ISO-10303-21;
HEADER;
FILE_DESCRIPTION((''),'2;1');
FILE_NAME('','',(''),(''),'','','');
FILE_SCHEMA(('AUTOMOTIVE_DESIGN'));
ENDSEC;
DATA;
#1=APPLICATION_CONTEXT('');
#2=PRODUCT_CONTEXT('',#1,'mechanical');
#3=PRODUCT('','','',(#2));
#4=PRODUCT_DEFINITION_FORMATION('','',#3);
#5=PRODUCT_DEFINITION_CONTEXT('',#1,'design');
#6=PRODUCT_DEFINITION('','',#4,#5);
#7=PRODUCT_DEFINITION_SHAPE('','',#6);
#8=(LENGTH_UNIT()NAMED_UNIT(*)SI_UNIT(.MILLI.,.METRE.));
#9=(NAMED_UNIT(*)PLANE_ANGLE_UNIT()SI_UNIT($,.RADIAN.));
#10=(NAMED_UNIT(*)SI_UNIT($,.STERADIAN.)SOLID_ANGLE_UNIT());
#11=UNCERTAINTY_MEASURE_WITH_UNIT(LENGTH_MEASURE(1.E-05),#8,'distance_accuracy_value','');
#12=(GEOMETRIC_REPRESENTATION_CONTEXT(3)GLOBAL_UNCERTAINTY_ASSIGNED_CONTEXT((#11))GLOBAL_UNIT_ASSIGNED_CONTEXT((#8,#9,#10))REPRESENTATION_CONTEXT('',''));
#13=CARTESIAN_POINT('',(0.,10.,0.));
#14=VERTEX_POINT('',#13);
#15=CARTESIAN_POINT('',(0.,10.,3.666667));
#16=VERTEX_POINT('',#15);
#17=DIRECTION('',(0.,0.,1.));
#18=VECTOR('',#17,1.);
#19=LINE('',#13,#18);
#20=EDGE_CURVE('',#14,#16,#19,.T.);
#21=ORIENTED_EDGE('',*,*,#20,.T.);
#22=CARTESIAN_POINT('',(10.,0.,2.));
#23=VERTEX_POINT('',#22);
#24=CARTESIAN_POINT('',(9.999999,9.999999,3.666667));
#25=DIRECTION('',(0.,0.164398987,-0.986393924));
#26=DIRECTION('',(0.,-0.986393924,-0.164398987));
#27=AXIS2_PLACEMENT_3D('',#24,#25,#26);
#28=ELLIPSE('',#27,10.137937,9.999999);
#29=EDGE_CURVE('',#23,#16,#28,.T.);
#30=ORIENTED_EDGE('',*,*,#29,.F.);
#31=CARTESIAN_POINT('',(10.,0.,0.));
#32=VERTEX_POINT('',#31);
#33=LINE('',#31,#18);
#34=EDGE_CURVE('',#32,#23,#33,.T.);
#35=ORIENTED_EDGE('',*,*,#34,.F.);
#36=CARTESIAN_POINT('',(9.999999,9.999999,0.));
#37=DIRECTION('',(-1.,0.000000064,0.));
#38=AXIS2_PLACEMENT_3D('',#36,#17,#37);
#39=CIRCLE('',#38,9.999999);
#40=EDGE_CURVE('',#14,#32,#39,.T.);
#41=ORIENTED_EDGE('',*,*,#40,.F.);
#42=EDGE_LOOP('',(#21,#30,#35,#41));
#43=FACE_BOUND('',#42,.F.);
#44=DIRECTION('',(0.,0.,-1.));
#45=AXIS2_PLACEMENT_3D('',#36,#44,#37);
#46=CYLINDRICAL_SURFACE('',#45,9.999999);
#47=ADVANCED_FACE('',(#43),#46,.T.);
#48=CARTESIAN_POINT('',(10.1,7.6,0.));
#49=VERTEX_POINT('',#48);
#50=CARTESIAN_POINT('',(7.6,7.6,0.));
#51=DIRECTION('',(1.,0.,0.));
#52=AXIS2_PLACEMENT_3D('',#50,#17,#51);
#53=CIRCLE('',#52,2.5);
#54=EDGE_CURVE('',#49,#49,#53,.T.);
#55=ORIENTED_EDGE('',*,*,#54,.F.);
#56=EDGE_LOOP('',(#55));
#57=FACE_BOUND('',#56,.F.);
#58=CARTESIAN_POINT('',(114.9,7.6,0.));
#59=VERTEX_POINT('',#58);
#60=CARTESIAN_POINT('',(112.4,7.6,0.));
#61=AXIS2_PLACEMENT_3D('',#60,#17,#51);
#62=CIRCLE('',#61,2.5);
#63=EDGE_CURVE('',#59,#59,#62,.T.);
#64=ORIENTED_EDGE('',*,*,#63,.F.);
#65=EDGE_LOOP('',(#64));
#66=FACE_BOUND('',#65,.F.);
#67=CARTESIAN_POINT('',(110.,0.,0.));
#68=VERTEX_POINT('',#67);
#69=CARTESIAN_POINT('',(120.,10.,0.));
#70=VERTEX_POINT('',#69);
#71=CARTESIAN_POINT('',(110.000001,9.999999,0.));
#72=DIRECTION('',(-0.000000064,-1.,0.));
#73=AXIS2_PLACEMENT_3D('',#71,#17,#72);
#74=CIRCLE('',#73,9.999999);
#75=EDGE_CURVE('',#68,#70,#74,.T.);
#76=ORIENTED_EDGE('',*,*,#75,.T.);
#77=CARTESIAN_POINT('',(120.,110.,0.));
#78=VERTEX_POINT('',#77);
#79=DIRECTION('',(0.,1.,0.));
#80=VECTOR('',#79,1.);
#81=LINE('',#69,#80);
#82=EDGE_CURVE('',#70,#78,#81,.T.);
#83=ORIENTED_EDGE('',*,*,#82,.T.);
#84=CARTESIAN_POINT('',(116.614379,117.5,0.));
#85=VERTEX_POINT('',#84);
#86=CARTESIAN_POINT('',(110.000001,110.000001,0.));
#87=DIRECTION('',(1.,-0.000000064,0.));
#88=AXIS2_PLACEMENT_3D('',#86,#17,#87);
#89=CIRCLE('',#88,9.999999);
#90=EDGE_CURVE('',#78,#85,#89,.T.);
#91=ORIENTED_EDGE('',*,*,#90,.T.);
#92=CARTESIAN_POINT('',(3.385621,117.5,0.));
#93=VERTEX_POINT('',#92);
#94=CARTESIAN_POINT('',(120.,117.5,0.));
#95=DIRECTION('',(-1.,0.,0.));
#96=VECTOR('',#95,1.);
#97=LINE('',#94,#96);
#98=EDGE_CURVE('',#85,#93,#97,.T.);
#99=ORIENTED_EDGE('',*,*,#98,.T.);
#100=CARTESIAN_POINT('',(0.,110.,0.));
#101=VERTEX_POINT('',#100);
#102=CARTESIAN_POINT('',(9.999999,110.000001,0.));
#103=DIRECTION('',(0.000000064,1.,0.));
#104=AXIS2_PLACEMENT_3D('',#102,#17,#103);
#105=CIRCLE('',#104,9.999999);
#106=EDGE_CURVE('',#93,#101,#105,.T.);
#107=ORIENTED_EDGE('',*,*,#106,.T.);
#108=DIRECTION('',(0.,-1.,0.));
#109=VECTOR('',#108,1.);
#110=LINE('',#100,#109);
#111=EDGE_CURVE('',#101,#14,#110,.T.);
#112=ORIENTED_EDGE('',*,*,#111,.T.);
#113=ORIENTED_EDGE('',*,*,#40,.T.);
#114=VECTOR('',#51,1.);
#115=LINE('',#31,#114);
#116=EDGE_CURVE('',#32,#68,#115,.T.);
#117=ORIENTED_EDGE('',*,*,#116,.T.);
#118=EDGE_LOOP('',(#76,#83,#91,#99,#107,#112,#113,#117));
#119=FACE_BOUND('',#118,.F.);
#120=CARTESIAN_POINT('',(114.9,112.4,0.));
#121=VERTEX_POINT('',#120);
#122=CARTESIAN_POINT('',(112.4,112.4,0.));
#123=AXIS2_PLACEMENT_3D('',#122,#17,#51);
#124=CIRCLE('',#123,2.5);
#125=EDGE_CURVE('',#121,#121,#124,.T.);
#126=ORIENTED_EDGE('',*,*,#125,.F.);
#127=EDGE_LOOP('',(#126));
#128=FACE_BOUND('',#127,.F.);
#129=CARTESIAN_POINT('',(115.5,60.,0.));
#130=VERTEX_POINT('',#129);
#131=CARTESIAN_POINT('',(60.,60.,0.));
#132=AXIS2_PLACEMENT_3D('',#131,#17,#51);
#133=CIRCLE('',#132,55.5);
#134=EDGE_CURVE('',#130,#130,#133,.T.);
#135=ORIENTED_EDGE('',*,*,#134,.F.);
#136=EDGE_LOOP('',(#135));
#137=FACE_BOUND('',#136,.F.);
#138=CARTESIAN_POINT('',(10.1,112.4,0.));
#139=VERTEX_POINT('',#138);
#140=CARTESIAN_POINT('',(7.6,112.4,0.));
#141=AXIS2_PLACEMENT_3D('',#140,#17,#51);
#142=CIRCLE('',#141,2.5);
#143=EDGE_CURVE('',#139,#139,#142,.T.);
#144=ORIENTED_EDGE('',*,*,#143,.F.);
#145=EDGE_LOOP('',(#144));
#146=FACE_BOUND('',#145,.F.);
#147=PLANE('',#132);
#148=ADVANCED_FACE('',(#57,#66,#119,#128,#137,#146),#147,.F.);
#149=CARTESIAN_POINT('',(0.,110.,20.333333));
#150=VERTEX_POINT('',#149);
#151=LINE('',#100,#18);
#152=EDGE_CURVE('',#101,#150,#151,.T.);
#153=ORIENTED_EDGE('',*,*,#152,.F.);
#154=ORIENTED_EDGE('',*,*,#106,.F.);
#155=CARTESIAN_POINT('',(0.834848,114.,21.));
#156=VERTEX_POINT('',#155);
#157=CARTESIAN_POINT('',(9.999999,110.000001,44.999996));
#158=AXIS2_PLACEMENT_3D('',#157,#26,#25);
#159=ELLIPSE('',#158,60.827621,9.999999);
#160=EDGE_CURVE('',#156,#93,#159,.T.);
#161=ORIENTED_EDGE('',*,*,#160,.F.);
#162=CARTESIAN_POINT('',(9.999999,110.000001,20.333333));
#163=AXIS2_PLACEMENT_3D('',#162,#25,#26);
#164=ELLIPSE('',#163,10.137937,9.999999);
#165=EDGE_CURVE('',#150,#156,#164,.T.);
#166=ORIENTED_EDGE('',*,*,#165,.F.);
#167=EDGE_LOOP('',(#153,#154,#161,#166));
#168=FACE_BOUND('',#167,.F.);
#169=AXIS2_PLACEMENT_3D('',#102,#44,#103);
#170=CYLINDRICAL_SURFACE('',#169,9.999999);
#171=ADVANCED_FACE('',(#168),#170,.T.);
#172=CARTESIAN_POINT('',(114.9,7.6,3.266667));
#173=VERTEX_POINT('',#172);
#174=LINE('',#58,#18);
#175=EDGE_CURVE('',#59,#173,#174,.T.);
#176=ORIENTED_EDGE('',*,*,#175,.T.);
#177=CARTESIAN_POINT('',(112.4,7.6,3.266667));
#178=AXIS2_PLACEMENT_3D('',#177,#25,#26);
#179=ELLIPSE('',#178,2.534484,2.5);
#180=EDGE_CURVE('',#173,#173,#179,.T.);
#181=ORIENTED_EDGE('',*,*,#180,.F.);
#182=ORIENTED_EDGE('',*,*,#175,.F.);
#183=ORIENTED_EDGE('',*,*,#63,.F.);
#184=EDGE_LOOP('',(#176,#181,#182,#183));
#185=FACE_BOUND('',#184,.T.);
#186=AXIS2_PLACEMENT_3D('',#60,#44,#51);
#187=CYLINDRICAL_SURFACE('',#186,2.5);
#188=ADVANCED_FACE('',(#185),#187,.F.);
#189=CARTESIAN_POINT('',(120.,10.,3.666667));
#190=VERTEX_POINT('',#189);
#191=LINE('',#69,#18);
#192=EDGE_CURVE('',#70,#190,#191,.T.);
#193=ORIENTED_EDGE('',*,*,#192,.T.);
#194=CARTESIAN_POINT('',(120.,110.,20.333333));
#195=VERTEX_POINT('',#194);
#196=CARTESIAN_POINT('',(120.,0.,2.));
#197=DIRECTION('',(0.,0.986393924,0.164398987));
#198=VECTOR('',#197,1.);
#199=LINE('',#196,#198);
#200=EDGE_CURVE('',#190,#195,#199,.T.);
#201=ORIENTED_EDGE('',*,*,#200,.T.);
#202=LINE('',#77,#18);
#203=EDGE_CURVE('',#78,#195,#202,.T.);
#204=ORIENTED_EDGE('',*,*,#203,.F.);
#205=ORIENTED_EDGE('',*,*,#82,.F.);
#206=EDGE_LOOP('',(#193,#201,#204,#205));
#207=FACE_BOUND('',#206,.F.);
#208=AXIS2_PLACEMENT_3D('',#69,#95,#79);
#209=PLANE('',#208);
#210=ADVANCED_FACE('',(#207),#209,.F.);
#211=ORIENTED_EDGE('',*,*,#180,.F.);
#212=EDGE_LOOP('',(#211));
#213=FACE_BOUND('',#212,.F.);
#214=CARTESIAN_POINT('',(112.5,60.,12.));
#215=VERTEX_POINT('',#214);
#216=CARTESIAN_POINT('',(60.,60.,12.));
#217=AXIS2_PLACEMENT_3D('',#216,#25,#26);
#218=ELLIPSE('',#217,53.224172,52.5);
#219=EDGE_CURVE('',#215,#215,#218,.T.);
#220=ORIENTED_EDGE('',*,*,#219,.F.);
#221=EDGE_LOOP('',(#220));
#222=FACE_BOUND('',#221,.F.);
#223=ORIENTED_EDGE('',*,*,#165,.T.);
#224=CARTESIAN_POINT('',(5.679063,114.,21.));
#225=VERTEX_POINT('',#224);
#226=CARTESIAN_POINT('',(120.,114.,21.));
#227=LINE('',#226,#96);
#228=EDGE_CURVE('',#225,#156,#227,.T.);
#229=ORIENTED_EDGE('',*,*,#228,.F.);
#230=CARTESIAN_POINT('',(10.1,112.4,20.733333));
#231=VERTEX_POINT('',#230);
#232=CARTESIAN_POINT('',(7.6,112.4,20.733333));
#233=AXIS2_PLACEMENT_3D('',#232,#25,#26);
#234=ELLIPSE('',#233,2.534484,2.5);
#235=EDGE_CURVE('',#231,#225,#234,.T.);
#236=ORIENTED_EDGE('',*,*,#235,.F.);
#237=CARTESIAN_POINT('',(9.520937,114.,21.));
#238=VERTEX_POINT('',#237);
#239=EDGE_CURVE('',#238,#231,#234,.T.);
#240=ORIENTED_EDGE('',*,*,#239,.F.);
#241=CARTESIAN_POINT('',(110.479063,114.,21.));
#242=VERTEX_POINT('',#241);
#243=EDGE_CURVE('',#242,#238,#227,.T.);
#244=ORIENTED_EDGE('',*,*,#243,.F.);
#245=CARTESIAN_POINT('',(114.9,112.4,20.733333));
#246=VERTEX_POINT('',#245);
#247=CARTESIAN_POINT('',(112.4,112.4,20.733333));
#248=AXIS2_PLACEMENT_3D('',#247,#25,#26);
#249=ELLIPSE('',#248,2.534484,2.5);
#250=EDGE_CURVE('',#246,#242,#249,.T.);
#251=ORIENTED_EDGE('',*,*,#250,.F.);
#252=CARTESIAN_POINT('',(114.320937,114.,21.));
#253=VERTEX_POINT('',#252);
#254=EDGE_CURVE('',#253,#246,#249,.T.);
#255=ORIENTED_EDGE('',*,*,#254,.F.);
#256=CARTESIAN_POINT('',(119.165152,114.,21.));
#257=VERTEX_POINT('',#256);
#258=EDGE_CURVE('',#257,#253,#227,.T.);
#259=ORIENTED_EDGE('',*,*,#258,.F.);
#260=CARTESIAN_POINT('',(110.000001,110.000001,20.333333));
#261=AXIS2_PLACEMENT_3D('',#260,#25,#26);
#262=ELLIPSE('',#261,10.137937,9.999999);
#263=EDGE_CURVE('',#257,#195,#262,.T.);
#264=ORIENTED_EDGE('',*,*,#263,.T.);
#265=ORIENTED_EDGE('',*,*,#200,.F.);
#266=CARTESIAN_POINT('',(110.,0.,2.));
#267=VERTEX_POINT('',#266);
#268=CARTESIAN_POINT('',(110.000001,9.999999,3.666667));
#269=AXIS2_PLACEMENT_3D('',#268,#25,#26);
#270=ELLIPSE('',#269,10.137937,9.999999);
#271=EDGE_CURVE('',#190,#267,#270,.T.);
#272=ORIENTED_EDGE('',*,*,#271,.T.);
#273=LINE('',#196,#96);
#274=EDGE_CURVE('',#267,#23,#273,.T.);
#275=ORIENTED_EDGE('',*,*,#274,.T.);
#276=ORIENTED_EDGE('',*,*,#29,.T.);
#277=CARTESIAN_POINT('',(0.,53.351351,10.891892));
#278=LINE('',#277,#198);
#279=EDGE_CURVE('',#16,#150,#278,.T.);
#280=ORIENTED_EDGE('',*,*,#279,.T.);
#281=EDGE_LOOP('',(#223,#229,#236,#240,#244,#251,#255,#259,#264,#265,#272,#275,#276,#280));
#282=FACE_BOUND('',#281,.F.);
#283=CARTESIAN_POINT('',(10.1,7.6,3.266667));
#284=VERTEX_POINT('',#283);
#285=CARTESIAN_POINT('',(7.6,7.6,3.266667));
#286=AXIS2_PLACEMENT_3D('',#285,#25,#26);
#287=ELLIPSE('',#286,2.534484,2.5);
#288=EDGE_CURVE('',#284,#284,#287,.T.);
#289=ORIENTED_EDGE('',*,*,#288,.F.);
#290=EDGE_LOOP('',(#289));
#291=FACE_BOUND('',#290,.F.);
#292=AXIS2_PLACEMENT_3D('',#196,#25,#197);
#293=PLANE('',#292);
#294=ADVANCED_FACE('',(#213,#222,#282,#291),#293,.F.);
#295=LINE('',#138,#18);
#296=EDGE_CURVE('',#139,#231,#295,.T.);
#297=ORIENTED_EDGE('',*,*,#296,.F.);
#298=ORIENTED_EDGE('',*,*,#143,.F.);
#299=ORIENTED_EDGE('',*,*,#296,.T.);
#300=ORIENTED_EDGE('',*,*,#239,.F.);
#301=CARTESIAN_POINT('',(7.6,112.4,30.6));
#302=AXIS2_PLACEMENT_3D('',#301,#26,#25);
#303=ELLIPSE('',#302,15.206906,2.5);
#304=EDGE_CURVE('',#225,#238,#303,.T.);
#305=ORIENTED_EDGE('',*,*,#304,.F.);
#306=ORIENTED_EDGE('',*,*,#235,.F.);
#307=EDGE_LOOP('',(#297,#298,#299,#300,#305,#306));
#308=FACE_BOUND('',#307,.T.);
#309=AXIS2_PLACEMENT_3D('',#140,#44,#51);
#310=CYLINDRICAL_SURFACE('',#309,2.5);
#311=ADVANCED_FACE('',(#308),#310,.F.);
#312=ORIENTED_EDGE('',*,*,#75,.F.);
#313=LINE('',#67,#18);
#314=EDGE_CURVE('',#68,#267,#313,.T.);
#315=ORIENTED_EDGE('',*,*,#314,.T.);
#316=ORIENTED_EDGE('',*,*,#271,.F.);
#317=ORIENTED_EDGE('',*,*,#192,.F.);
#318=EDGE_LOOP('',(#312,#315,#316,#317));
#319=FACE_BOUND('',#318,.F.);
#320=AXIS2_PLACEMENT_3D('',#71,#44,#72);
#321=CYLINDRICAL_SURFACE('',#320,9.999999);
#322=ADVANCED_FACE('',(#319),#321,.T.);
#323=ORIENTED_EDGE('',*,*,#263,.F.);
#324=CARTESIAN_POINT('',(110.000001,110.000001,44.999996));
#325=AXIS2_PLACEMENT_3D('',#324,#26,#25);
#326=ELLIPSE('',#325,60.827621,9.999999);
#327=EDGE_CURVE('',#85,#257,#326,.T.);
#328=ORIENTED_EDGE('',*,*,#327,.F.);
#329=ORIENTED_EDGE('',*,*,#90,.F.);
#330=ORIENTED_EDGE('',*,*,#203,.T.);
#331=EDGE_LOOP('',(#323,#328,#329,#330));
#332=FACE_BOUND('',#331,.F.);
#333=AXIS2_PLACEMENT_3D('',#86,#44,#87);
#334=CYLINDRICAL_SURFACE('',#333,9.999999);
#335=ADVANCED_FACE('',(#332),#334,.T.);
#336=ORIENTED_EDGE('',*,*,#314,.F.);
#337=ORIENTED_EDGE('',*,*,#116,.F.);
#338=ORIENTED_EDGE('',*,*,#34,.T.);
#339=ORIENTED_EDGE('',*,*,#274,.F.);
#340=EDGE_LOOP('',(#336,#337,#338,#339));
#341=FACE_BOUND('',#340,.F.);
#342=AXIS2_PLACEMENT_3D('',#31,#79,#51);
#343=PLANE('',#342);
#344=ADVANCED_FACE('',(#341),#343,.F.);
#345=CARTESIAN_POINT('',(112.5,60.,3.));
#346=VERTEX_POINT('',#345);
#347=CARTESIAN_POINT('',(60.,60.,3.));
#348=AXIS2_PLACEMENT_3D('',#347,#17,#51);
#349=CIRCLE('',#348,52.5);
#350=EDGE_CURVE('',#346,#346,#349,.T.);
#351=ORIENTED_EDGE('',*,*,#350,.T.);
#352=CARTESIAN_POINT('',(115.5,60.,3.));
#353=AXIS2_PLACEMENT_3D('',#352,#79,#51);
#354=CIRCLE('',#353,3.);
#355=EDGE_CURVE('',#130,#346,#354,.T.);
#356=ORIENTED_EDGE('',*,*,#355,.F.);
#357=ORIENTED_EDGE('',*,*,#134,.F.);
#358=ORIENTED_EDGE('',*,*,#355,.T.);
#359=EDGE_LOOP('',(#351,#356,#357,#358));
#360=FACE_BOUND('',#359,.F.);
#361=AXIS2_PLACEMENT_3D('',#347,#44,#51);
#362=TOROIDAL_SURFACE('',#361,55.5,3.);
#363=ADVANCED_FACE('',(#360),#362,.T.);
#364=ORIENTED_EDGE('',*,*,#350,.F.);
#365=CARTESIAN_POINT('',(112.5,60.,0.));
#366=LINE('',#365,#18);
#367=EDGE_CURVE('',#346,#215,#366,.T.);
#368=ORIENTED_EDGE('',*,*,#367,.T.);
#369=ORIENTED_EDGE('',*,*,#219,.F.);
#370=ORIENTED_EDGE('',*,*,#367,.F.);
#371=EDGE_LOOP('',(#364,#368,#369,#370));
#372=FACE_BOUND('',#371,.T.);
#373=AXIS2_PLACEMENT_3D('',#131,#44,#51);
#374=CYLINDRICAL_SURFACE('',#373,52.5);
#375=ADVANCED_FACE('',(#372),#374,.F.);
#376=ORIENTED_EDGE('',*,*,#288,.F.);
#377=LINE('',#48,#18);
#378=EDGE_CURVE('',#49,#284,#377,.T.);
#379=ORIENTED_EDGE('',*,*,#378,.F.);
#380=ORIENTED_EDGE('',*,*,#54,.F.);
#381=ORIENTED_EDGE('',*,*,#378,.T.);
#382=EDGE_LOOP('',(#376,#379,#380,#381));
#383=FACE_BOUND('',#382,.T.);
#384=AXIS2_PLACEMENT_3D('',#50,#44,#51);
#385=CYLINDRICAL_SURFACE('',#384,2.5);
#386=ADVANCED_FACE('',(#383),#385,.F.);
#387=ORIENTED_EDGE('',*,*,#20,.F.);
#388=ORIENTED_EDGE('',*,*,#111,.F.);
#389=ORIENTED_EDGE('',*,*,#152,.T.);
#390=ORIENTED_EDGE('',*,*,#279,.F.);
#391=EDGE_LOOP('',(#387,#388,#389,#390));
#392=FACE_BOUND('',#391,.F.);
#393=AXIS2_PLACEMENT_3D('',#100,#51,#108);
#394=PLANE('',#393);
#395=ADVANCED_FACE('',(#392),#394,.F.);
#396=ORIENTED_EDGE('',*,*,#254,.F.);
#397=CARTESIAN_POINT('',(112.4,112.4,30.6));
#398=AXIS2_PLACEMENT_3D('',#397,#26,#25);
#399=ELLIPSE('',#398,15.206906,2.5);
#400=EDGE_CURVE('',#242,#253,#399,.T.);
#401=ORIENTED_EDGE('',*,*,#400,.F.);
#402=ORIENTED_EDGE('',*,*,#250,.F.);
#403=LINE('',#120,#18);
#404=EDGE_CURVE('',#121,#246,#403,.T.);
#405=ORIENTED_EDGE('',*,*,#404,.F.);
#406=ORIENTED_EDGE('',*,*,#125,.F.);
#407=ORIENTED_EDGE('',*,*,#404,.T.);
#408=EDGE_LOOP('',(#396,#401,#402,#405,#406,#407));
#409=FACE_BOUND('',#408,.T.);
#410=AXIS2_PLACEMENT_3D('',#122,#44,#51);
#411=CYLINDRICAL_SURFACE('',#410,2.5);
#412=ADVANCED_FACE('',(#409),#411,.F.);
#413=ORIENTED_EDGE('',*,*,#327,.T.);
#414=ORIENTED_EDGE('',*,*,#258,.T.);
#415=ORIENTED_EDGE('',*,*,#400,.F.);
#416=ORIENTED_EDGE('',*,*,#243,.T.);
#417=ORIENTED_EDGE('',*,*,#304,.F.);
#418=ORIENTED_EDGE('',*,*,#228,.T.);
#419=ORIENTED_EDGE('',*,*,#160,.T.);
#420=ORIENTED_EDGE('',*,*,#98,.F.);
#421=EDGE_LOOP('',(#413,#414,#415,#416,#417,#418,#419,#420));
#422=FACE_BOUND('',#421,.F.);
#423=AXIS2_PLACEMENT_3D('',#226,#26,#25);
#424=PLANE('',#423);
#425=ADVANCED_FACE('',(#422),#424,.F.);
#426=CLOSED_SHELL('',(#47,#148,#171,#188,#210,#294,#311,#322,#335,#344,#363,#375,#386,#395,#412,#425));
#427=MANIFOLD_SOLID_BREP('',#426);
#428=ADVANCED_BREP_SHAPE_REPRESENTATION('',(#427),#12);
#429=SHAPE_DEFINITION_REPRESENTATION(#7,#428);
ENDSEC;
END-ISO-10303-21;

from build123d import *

# Parameters (mm, degrees)
F0_R     = 2.5
F0_R_2   = 52.5
F1_DEPTH = 30
F3_DEPTH = 120.001
F4_R     = 3


with BuildPart() as f1:
    # F0 (on Top) → F1 (new body)
    with BuildSketch(Plane.XY):
        with BuildLine():
            ThreePointArc((0, 10), (2.928932, 2.928932), (10, 0))
            Line((10, 0), (110, 0))
            ThreePointArc((110, 0), (117.071068, 2.928932), (120, 10))
            Line((120, 10), (120, 110))
            ThreePointArc((120, 110), (117.071068, 117.071068), (110, 120))
            Line((110, 120), (10, 120))
            ThreePointArc((10, 120), (2.928932, 117.071068), (0, 110))
            Line((0, 110), (0, 10))
        make_face()
        with Locations((7.6, 7.6)):
            Circle(F0_R, mode=Mode.SUBTRACT)
        with Locations((112.4, 7.6)):
            Circle(F0_R, mode=Mode.SUBTRACT)
        with Locations((60, 60)):
            Circle(F0_R_2, mode=Mode.SUBTRACT)
        with Locations((7.6, 112.4)):
            Circle(F0_R, mode=Mode.SUBTRACT)
        with Locations((112.4, 112.4)):
            Circle(F0_R, mode=Mode.SUBTRACT)
    extrude(amount=F1_DEPTH)

    # F2 (on face) → F3 (cut, through all)
    with BuildSketch(Plane.YZ.offset(120)):
        Polygon((0, 45), (0, 2), (114, 21), (117.5, 0), (125, 0), (125, 45), (120, 45), align=None)
    extrude(amount=-F3_DEPTH, mode=Mode.SUBTRACT)

    # F4
    f4_edges = [f1.edges().sort_by_distance(p)[0] for p in [
        (7.5, 60, 0),
    ]]
    fillet(f4_edges, radius=F4_R)


solid = f1.part
